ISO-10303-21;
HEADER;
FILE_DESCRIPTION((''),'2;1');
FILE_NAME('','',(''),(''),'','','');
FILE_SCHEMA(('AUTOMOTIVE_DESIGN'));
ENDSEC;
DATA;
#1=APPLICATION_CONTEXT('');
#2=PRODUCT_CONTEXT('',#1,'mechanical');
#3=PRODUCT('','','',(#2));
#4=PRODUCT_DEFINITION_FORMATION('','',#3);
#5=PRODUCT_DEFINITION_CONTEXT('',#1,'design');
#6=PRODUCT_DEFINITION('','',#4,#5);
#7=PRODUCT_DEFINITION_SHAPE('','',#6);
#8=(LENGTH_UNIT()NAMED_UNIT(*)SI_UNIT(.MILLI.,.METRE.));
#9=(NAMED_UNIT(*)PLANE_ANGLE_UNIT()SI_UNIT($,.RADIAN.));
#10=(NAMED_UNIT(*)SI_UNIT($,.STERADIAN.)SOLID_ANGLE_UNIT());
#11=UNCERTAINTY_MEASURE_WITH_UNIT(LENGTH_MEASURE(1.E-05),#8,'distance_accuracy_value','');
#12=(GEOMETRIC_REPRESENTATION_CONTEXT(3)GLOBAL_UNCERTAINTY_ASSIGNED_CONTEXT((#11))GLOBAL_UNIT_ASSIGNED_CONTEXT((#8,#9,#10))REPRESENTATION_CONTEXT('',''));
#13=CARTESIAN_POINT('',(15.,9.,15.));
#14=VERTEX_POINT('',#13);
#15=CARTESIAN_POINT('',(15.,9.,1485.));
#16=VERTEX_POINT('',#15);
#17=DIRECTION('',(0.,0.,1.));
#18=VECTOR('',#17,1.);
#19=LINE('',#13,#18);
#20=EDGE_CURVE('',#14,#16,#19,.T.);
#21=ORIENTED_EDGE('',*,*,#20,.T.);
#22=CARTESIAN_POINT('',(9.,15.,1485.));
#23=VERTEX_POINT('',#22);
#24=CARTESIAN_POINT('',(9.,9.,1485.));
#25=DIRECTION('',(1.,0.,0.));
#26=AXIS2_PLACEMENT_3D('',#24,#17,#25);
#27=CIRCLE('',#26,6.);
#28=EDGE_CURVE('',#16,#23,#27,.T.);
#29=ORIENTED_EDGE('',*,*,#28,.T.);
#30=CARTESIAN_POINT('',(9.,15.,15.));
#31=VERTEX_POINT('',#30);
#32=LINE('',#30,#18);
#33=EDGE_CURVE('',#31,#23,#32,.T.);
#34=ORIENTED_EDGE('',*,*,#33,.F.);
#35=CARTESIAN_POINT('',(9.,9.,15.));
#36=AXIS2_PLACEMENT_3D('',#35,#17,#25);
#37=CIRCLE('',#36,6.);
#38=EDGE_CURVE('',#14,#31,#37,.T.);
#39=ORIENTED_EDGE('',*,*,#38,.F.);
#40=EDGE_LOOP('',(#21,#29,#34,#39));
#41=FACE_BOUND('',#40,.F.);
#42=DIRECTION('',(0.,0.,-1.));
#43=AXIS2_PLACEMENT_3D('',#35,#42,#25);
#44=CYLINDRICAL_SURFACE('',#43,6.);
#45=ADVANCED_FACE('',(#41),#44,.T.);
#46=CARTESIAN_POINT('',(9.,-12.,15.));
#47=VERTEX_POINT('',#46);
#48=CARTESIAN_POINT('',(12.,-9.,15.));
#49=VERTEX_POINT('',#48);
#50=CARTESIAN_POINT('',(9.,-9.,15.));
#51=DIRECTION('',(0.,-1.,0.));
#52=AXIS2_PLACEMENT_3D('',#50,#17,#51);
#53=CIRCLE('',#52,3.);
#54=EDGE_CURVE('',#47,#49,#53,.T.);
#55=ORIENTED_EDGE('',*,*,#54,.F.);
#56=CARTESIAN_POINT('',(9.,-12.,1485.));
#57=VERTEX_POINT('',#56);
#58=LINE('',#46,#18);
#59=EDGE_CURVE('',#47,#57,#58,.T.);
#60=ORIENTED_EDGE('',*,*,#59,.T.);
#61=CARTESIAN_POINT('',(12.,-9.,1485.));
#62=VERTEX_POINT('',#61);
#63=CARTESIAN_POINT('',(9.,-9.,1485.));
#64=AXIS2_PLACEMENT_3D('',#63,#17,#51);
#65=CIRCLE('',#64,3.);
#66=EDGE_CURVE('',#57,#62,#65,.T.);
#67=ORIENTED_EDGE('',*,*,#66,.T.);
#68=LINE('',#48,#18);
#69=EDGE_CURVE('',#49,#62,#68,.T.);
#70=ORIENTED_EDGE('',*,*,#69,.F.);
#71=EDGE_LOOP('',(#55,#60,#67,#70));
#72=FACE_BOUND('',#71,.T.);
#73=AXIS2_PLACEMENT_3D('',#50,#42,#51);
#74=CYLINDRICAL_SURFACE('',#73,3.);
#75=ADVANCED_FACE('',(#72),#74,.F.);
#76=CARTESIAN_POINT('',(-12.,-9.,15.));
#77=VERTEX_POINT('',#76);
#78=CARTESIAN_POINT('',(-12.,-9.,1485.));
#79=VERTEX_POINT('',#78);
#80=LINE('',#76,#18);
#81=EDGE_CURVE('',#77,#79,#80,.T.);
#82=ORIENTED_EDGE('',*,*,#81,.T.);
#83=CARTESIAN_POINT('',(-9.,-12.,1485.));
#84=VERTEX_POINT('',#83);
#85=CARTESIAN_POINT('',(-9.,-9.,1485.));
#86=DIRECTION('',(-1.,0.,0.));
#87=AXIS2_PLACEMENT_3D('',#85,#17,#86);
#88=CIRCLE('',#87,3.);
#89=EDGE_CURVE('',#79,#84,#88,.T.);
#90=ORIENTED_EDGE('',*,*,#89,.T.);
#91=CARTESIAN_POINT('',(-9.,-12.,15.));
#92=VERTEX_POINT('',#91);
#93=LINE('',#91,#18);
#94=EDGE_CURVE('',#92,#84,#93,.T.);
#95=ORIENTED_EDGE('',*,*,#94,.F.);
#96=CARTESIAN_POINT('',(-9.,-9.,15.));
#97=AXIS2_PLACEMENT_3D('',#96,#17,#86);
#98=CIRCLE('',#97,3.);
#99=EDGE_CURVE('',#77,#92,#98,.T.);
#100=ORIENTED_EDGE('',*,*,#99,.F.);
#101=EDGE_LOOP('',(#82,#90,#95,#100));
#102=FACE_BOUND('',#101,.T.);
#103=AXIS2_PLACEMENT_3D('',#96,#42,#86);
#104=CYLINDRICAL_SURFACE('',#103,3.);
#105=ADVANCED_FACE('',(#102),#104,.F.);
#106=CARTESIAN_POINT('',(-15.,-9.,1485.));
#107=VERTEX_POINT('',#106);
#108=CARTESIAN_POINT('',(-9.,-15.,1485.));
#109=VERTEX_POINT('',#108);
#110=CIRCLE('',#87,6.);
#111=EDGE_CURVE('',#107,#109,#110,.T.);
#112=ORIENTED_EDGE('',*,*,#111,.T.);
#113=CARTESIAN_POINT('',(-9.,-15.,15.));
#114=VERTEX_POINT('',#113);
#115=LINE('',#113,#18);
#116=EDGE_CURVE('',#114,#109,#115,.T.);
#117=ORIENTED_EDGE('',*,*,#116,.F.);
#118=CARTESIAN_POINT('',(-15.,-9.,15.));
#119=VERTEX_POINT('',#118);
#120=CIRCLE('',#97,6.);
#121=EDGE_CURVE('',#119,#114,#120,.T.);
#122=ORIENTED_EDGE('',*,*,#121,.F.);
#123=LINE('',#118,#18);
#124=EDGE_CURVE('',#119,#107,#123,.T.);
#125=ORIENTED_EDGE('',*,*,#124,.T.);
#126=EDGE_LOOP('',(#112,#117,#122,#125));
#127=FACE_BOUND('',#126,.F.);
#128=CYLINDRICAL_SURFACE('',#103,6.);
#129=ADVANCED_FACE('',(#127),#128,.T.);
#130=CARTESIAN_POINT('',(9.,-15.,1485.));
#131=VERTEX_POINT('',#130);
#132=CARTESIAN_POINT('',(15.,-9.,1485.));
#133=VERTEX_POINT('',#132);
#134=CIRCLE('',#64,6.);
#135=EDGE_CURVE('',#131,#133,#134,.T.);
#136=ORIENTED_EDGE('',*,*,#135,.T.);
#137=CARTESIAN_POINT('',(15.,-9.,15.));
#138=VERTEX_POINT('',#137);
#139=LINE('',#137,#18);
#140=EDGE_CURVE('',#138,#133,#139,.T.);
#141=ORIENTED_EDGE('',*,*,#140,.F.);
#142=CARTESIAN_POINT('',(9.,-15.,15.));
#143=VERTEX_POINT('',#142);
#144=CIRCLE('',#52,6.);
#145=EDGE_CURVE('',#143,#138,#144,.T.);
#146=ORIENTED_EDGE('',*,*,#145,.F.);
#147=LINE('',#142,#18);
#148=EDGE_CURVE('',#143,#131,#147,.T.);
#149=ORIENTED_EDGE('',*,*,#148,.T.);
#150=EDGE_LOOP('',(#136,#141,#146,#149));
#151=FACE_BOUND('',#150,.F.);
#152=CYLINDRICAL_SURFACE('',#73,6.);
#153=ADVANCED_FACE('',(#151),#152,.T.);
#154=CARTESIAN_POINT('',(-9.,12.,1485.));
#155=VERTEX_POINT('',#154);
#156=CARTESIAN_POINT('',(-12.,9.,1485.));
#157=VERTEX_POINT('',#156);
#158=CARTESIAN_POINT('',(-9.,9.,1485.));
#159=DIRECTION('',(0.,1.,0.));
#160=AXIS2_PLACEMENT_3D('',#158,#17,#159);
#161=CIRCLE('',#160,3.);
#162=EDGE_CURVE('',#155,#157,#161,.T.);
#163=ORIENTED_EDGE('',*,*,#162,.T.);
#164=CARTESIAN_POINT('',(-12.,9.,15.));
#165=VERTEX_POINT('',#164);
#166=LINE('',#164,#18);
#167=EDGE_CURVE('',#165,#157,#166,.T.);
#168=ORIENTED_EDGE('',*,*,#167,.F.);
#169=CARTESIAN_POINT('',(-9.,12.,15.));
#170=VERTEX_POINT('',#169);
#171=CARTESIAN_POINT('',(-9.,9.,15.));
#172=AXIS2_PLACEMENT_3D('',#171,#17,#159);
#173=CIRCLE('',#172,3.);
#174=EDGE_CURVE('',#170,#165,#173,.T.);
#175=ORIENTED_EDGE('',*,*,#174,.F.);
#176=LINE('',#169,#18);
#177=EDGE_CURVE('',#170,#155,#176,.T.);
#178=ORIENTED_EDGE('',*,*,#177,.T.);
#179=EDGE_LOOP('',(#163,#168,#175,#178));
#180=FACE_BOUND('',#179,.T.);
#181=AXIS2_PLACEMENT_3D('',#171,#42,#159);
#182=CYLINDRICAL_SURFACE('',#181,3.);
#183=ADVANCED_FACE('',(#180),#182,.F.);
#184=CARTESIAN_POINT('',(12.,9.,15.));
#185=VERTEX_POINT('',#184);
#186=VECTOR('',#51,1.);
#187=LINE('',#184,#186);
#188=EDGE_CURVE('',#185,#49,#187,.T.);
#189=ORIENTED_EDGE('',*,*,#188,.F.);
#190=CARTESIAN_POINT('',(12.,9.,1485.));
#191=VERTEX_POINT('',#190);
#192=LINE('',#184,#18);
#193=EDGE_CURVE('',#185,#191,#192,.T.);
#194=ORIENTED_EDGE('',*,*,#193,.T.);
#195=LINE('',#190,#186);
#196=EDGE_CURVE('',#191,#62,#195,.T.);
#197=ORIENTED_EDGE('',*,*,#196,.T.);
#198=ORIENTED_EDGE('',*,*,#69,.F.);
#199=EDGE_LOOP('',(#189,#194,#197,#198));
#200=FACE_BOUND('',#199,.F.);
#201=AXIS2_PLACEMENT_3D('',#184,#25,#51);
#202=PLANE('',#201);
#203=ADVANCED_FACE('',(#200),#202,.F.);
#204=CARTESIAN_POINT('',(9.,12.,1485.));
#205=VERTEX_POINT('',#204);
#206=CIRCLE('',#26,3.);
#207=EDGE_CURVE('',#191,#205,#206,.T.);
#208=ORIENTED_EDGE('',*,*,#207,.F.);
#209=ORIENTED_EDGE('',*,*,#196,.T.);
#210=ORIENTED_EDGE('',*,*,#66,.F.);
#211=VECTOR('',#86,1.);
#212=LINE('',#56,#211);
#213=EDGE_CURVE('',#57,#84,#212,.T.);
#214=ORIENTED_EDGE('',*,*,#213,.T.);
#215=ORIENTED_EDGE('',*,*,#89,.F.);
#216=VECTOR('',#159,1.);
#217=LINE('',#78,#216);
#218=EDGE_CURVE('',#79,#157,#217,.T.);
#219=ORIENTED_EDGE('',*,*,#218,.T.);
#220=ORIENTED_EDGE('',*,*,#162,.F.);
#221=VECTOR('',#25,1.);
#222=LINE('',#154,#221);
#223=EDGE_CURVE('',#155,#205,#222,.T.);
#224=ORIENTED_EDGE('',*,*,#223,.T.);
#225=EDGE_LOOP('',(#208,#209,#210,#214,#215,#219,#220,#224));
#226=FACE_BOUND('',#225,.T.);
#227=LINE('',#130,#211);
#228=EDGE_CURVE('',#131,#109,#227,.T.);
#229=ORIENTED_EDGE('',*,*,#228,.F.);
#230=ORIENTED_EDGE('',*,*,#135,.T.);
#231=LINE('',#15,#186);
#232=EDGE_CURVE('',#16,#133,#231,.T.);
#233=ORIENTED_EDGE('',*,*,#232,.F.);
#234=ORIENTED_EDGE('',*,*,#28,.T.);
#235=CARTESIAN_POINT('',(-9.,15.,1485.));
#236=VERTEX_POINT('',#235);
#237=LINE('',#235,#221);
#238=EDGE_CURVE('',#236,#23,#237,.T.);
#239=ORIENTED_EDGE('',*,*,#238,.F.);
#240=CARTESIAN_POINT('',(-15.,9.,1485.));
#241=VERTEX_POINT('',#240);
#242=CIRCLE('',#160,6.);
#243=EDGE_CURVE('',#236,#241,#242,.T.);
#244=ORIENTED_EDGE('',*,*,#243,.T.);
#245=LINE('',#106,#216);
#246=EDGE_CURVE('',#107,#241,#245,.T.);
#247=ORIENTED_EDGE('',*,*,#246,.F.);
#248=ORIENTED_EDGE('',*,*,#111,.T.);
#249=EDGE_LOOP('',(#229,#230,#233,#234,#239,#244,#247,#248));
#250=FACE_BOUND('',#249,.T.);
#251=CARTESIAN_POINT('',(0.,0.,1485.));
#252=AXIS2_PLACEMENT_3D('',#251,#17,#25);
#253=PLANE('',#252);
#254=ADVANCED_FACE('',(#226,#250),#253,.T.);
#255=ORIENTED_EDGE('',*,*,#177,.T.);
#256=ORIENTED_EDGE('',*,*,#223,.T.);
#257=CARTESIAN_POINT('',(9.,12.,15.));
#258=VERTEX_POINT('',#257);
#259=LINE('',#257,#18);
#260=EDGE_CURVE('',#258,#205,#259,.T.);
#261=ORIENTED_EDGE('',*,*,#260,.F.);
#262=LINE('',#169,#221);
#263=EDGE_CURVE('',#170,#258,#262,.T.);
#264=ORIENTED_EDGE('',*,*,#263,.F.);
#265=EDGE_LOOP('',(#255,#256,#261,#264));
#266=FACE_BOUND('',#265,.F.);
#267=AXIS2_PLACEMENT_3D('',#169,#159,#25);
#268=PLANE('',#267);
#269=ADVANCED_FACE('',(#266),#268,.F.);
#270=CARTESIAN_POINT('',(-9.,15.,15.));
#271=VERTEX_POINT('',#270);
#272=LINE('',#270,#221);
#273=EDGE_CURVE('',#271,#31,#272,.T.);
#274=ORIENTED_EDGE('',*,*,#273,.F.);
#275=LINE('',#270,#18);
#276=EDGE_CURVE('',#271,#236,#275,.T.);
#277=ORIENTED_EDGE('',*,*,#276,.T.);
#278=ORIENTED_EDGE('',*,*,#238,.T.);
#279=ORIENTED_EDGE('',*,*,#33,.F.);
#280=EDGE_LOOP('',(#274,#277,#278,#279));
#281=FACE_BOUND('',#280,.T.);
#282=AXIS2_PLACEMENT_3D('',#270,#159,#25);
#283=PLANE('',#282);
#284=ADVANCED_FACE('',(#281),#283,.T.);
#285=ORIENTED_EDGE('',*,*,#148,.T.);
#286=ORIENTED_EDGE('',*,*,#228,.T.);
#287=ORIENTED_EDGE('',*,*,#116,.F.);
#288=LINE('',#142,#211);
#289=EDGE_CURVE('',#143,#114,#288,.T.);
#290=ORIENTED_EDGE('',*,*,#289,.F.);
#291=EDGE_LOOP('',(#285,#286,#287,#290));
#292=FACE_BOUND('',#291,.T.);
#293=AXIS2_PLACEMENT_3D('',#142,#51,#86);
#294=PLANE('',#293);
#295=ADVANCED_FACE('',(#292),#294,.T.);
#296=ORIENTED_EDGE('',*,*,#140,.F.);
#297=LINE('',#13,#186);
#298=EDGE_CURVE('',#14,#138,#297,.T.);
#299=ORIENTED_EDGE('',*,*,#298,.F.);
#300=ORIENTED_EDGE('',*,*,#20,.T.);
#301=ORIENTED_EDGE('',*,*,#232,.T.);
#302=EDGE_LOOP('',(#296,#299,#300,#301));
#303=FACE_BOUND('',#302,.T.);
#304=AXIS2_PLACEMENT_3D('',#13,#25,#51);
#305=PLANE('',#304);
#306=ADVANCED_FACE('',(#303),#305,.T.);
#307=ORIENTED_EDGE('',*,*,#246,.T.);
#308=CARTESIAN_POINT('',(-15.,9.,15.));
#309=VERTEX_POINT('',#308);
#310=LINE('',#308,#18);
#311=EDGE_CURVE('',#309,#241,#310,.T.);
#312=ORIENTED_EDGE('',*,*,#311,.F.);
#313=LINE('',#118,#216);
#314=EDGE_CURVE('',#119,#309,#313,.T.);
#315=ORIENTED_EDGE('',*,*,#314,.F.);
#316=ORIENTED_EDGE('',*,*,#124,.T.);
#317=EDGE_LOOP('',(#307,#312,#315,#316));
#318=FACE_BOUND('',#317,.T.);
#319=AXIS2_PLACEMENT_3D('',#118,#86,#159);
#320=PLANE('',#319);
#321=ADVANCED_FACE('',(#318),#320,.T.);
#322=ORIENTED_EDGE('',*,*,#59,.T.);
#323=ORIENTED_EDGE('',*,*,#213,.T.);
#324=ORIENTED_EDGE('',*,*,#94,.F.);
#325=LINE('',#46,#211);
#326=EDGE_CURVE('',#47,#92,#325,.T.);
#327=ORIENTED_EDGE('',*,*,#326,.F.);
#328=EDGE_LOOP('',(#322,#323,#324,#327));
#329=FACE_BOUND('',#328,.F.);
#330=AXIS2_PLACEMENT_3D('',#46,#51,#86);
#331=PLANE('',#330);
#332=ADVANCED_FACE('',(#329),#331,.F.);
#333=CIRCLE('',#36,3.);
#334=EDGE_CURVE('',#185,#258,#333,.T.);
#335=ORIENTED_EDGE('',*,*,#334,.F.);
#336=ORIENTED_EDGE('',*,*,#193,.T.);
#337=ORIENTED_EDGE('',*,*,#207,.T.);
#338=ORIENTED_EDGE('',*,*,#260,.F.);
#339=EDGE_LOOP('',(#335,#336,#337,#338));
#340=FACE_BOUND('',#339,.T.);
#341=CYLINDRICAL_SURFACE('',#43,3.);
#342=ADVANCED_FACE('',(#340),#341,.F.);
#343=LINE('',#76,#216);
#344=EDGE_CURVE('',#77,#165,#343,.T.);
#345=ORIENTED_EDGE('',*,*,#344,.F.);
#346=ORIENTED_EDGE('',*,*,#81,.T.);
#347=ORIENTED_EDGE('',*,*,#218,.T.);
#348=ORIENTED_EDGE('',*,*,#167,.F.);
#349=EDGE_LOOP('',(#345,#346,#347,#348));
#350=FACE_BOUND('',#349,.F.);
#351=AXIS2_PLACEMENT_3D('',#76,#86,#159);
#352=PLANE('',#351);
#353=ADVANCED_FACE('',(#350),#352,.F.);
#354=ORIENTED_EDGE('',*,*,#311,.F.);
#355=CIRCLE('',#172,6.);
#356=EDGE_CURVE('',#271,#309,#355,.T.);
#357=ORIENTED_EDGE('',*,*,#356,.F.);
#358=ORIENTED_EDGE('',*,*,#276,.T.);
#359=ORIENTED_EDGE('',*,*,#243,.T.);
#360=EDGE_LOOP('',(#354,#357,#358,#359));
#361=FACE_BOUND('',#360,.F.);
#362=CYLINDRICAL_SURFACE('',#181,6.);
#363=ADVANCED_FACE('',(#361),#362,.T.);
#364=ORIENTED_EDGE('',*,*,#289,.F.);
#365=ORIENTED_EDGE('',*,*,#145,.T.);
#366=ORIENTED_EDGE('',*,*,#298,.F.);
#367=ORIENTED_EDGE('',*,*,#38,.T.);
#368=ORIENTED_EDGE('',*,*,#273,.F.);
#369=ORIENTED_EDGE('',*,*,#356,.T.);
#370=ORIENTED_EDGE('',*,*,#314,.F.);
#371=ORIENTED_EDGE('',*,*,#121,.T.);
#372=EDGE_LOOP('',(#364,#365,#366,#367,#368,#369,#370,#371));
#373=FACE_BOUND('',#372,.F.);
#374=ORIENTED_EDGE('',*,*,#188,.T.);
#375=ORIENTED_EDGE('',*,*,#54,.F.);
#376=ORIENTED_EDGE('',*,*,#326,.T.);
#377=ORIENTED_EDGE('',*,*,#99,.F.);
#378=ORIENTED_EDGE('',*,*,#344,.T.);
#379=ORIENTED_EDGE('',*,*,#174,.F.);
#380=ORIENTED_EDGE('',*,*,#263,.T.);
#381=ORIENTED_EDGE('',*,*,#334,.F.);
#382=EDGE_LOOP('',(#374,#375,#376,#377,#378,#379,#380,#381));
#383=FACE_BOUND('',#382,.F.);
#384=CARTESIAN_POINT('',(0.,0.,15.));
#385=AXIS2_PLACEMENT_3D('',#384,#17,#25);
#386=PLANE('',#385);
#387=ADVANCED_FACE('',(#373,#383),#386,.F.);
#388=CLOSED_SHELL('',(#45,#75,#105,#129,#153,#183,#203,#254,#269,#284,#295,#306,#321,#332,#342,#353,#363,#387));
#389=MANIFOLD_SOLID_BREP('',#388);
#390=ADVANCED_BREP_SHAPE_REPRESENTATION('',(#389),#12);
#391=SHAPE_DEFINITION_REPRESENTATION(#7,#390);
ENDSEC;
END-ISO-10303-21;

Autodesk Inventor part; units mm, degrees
ref_plane "Start Plane" through (0, 0, 15) normal (0, 0, 1) x (1, 0, 0)
ref_plane "End Plane" through (0, 0, 1485) normal (0, 0, 1) x (1, 0, 0)
sketch "Sketch" plane through (0, 0, 0) normal (0, 0, 1) x (1, 0, 0)
  line L0 (-15, -9) -> (-15, 9)
  line L1 (-9, 15) -> (9, 15)
  line L2 (15, 9) -> (15, -9)
  line L3 (9, -15) -> (-9, -15)
  arc A0 (-15, -9) -> (-9, -15) centre (-9, -9) ccw
  arc A1 (-9, 15) -> (-15, 9) centre (-9, 9) ccw
  arc A2 (15, 9) -> (9, 15) centre (9, 9) ccw
  arc A3 (9, -15) -> (15, -9) centre (9, -9) ccw
  arc A4 (-9, 12) -> (-12, 9) centre (-9, 9) ccw
  line L4 (-9, 12) -> (9, 12)
  arc A5 (12, 9) -> (9, 12) centre (9, 9) ccw
  line L5 (12, 9) -> (12, -9)
  arc A6 (9, -12) -> (12, -9) centre (9, -9) ccw
  line L6 (9, -12) -> (-9, -12)
  arc A7 (-12, -9) -> (-9, -12) centre (-9, -9) ccw
  line L7 (-12, -9) -> (-12, 9)
  line L8 (0, 22.7397) -> (0, -22.7397) construction
  line L9 (-22.7397, 0) -> (22.7397, 0) construction
  dimension "d7" = 6
  dimension "d10" = 30
  dimension "d11" = 30
  dimension "d12" = 3
  dimension "d15" = 15
  dimension "d16" = 15
extrude "Body" add sketch "Sketch" along normal up to surface (1470 mm away) from surface at 15
sketch "Sketch3" plane through (0, 0, 0) normal (0, 0, 1) x (1, 0, 0)
  line L0 (0, 0) -> (10, 0)
ref_plane "Work Plane3" through (0, 0, 0) normal (0, -1, 0) x (1, 0, 0)
ref_plane "Work Plane4" through (-521.5, 9, 1485) normal (0, 0, 1) x (1, 0, 0)
split "Split1" plane through (-521.5, 9, 1485) removes the side toward (0, 0, 1)
ref_plane "Work Plane5" through (678.5, 9, 15) normal (0, 0, -1) x (-1, 0, 0)
split "Split2" plane through (678.5, 9, 15) removes the side toward (0, 0, -1)
sketch "Sketch4" plane through (0, 0, 0) normal (0, -1, 0) x (1, 0, 0)
  line L0 (-2, 15) -> (12, 15) projected
  line L1 (-2, 1485) -> (12, 1485) projected
  dimension "d18" = 1470
equation "\"d7\" = G_IR"
equation "\"d10\" = G_H"
equation "\"d11\" = G_W"
equation "\"d12\" = G_T"
equation "\"d15\" = 0.5 * d10"
equation "\"d16\" = 0.5 * d11"
equation "\"d3\" = G_L"
equation "\"G_W\" = 30"
equation "\"G_H\" = 30"
equation "\"G_T\" = 3"
equation "\"G_IR\" = 6"
equation "\"G_L\" = d18"
equation "\"G_OFFSET_START\" = -15"
equation "\"G_OFFSET_END\" = -15"
equation "\"d13\" = -G_OFFSET_START"
equation "\"d14\" = G_OFFSET_END + B_L"
equation "\"B_L\" = 1500"
properties part number "DIN EN 10219-2 - 30 x 30 x 3  - 1470" material "Steel, Mild"
